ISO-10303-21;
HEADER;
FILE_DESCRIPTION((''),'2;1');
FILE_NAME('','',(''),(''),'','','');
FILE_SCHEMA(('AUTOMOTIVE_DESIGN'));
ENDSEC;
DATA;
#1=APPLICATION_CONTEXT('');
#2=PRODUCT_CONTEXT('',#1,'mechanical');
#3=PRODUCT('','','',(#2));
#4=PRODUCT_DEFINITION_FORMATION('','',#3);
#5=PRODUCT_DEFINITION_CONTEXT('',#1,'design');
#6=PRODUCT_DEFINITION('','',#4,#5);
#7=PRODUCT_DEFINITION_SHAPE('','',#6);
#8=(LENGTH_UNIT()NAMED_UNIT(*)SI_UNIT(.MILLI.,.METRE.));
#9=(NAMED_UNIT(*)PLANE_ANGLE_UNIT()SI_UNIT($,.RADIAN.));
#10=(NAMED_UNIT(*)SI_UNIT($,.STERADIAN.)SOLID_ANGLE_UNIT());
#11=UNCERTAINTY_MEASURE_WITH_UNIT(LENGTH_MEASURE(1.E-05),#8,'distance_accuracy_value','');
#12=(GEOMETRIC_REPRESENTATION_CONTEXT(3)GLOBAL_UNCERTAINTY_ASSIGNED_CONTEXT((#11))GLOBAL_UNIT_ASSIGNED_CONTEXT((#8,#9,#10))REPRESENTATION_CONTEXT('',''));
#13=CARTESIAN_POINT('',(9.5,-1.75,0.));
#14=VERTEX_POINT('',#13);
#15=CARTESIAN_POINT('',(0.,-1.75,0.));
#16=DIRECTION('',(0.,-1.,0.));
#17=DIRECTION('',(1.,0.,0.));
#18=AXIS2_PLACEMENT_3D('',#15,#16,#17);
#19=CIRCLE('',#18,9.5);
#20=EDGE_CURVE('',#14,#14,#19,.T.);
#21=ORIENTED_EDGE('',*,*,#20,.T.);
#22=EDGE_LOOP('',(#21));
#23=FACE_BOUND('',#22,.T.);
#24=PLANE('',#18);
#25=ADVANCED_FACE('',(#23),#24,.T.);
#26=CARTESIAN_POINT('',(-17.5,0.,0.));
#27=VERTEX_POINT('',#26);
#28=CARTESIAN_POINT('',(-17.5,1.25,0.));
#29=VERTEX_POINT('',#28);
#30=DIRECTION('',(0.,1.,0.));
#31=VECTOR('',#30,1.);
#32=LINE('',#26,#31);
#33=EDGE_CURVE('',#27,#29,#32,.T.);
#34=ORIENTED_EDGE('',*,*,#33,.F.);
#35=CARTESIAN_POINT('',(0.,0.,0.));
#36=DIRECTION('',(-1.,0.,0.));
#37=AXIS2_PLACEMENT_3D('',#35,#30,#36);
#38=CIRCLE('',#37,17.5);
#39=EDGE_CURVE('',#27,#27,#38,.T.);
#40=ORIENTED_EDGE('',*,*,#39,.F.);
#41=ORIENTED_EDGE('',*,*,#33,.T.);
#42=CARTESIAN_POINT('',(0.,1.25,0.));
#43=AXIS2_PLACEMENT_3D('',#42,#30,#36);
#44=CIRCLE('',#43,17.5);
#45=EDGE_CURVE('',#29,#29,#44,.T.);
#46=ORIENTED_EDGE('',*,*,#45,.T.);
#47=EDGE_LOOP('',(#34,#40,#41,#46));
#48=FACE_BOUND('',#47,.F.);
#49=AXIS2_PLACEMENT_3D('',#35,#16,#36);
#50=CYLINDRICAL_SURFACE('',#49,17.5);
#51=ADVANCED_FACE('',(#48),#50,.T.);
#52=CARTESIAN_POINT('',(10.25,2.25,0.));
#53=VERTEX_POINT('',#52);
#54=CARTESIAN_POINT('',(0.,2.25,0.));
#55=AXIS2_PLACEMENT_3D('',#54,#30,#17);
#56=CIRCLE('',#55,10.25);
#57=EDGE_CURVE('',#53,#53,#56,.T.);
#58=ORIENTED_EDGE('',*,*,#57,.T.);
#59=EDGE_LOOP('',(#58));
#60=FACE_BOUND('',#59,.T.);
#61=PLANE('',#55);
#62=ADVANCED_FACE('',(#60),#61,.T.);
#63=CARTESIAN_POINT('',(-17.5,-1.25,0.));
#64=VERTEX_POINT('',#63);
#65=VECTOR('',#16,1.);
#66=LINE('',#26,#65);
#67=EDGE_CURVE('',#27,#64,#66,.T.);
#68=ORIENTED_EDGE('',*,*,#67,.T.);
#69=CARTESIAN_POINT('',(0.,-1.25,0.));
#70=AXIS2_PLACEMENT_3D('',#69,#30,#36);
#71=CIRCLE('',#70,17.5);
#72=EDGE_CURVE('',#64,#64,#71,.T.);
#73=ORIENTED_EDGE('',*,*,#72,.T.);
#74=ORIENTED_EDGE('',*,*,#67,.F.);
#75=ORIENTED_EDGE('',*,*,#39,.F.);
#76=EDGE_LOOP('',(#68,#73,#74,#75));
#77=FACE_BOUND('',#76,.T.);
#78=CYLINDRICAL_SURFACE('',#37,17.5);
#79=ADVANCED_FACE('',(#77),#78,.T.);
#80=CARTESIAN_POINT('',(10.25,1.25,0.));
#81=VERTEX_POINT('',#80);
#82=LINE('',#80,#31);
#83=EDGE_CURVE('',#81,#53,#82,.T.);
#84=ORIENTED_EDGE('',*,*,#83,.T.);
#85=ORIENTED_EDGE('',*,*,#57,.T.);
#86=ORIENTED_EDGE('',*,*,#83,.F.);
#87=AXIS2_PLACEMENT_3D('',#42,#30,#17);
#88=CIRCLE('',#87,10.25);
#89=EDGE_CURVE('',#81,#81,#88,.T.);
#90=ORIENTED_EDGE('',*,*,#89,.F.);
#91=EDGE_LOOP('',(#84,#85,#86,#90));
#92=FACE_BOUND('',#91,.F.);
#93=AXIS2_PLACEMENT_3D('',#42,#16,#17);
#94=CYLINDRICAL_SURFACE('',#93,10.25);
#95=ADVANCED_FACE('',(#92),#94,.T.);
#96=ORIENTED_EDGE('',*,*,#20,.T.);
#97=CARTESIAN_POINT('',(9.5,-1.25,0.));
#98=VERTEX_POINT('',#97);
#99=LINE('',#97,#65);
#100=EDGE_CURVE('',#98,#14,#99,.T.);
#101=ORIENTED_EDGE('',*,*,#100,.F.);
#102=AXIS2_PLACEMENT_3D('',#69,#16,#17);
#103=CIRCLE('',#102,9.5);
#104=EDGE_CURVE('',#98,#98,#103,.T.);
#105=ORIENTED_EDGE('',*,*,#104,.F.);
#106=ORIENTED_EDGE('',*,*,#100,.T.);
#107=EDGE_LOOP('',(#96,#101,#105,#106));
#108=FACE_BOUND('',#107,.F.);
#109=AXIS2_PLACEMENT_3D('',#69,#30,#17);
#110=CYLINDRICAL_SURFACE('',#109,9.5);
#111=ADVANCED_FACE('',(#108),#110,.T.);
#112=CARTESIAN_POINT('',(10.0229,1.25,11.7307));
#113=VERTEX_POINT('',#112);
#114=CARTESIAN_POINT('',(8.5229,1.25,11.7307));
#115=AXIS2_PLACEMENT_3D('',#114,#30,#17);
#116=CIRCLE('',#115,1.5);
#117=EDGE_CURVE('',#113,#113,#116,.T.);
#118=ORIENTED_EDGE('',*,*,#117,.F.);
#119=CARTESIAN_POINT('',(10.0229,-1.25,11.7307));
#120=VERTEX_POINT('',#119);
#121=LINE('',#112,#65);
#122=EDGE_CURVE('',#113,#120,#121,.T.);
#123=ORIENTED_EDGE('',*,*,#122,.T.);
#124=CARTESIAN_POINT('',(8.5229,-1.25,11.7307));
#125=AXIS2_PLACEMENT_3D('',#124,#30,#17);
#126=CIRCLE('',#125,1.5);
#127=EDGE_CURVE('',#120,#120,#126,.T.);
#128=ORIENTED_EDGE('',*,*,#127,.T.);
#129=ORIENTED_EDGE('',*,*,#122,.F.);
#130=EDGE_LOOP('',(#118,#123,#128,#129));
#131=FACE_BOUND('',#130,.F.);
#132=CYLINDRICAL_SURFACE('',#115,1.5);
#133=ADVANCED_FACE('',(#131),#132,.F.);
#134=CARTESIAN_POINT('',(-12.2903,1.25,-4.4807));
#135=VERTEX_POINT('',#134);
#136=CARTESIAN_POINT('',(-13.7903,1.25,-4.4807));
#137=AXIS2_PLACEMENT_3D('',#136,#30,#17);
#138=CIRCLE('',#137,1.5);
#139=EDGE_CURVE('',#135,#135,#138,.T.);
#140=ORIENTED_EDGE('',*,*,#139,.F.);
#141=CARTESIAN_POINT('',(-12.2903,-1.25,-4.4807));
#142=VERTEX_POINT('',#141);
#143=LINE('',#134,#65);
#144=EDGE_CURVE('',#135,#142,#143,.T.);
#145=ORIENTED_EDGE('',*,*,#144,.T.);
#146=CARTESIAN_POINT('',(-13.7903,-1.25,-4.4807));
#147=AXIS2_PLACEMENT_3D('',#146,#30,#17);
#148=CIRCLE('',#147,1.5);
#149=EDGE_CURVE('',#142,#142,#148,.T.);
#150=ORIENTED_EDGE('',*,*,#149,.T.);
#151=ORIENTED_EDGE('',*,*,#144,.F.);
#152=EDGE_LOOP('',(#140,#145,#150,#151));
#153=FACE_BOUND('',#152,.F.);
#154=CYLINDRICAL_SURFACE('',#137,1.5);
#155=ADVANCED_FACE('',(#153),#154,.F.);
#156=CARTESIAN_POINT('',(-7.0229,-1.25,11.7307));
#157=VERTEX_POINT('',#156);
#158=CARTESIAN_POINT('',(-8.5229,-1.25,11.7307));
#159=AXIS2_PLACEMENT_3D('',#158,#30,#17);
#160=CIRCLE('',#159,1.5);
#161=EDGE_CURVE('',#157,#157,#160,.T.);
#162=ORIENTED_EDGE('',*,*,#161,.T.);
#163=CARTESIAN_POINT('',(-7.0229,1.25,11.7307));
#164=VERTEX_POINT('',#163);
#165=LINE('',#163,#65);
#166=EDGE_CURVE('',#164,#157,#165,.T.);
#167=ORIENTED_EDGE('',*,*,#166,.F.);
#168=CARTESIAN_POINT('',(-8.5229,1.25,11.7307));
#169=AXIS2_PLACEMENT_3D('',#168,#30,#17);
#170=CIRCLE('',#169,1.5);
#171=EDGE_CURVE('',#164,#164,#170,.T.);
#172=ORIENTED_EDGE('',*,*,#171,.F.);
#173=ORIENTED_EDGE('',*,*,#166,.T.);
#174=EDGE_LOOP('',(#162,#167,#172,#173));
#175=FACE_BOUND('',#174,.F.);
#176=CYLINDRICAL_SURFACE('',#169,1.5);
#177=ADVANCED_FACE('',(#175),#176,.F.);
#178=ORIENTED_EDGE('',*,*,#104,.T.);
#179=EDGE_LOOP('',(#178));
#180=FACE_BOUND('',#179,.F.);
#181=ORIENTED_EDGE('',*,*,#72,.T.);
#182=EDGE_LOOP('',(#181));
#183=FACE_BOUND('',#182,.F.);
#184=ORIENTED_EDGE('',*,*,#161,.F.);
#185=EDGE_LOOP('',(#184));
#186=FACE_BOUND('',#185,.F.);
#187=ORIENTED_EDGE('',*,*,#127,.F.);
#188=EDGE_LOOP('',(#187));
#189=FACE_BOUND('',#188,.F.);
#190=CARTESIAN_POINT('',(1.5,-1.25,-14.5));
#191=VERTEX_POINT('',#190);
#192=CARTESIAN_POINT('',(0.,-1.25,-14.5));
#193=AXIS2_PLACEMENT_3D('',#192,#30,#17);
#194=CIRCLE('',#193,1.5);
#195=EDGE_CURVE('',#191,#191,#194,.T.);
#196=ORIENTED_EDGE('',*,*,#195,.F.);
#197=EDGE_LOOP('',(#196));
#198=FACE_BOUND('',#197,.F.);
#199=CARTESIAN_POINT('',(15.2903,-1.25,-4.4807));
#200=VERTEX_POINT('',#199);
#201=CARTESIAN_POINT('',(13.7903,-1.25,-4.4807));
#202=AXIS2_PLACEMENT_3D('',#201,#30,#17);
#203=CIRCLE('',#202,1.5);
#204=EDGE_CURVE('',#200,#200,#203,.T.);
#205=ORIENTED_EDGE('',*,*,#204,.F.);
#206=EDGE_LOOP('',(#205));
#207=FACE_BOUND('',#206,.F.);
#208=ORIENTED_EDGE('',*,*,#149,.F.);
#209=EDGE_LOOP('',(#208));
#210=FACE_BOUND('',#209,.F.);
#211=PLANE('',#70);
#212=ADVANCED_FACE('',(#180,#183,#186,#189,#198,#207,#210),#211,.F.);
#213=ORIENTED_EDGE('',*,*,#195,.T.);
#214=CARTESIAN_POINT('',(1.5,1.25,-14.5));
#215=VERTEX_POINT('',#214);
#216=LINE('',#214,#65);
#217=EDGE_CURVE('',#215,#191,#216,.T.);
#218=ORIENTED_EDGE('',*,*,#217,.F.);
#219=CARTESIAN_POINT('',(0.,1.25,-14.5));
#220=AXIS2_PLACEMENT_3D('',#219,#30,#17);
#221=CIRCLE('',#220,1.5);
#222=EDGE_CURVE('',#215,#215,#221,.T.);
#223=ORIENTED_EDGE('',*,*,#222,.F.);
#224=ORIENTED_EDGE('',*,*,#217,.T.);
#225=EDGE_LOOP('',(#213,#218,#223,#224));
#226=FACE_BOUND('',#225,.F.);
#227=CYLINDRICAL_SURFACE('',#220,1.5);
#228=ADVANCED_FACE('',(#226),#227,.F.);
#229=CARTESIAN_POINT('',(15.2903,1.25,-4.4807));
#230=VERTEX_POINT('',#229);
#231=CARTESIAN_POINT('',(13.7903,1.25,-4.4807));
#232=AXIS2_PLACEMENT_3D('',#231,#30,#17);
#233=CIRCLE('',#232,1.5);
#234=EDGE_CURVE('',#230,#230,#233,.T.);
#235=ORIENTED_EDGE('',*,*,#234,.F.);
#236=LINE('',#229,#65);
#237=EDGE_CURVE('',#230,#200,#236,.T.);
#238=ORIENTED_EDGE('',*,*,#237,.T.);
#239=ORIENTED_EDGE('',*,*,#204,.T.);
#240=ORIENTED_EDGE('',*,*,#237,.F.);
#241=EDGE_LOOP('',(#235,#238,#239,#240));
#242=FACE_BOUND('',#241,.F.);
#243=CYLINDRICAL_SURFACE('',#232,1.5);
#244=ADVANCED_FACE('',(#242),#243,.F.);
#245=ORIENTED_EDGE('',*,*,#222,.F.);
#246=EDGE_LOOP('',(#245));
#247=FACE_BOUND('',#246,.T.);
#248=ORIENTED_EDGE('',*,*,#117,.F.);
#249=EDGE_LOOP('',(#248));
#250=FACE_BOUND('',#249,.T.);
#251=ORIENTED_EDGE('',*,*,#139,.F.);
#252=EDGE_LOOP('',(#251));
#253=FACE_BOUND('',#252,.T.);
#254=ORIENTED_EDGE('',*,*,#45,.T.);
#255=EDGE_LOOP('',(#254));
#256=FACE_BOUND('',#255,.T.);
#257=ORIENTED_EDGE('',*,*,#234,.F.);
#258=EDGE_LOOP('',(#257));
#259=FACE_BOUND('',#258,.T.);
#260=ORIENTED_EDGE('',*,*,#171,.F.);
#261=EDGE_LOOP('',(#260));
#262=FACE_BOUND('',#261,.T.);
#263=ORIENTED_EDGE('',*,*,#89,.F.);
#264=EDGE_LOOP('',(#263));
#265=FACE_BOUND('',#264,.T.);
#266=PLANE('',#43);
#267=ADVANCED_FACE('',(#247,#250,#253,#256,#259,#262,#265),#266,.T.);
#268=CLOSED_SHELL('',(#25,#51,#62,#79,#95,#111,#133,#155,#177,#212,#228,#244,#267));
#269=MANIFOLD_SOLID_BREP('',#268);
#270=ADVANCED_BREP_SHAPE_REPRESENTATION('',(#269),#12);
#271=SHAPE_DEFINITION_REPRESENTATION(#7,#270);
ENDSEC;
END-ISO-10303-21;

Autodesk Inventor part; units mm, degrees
ref_plane "YZ Plane" through (0, 0, 0) normal (1, 0, 0) x (0, 1, 0)
ref_plane "XZ Plane" through (0, 0, 0) normal (0, 1, 0) x (-1, 0, 0)
ref_plane "XY Plane" through (0, 0, 0) normal (0, 0, 1) x (1, 0, 0)
sketch "Sketch1" plane through (0, 0, 0) normal (0, 1, 0) x (-1, 0, 0)
  circle A0 centre (0, 0) radius 17.5
  dimension "d0" = 35
extrude "Extrusion1" add sketch "Sketch1" along normal mid plane 2.5
sketch "Sketch2" plane through (0, 1.25, 0) normal (0, 1, 0) x (1, 0, 0)
  circle A0 centre (0, 0) radius 10.25
  dimension "d3" = 20.5
extrude "Extrusion2" add sketch "Sketch2" along normal blind 1
sketch "Sketch3" plane through (0, -1.25, 0) normal (0, -1, 0) x (1, 0, 0)
  circle A0 centre (0, 0) radius 9.5
  dimension "d6" = 19
extrude "Extrusion3" add sketch "Sketch3" along normal blind 0.5
sketch "Sketch4" plane through (0, 1.25, 0) normal (0, 1, 0) x (1, 0, 0)
  circle A0 centre (0, 14.5) radius 1.5
  circle A1 centre (-13.7903, 4.4807) radius 1.5
  circle A2 centre (-8.5229, -11.7307) radius 1.5
  circle A3 centre (8.5229, -11.7307) radius 1.5
  circle A4 centre (13.7903, 4.4807) radius 1.5
  point P0 (0, 0)
  dimension "d9" = 3
  dimension "d10" = 14.5
  dimension "d13" = 360
extrude "Extrusion4" cut sketch "Sketch4" against normal through all
properties material "Iron, Cast"
